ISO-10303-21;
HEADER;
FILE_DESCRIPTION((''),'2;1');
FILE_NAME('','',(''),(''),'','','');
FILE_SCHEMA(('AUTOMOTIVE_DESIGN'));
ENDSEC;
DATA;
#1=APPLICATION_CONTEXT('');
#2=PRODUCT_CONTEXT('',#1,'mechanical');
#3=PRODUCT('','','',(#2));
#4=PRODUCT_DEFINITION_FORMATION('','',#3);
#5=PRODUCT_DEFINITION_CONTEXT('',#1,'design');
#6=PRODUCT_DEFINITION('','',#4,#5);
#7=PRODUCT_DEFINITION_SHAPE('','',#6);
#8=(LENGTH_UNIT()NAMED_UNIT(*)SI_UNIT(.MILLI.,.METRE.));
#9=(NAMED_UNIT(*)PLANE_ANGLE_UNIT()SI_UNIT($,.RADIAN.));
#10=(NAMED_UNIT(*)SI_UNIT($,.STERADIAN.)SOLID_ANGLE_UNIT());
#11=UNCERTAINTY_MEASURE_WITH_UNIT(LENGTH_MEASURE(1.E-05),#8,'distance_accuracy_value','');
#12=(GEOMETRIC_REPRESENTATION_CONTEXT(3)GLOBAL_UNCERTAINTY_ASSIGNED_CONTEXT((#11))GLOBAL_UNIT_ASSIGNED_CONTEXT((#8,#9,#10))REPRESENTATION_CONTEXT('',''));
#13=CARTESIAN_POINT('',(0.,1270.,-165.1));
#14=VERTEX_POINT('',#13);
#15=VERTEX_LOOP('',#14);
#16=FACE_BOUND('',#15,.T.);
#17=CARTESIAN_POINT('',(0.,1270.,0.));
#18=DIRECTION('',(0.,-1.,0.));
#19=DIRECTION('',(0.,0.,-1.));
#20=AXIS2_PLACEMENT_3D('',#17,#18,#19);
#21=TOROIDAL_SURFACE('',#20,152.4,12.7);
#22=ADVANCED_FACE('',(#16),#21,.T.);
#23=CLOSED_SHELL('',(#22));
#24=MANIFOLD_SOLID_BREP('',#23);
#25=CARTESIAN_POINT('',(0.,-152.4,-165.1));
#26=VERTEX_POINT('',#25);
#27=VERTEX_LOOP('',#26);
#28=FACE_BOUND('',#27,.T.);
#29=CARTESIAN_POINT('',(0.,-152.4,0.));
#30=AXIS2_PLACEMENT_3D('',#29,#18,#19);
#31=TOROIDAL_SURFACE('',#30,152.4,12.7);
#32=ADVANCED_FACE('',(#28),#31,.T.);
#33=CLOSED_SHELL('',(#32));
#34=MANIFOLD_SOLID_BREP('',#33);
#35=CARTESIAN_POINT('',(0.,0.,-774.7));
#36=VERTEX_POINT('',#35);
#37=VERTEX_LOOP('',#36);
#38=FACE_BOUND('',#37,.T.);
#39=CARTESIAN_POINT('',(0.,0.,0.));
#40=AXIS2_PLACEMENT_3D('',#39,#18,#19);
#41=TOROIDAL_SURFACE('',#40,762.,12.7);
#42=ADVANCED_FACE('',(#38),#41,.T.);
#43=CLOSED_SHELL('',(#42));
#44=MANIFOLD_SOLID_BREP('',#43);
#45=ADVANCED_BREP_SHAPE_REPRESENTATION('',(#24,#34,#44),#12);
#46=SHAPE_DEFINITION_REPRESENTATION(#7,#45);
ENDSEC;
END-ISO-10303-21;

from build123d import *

# Parameters (mm, degrees)
SKETCH1_R = 12.7


with BuildPart() as part:
    # Sketch1 → Revolve1 (revolve)
    with BuildSketch(Plane.XY, mode=Mode.PRIVATE) as revolve1_sk:
        with Locations((762, 0)):
            Circle(SKETCH1_R)
        with Locations((152.4, -152.4)):
            Circle(SKETCH1_R)
        with Locations((152.4, 1270)):
            Circle(SKETCH1_R)
    revolve(revolve1_sk.sketch.rotate(Axis((0, 0, 0), (0, 1, 0)), 90), axis=Axis((0, 0, 0), (0, 1, 0)))


solid = part.part
